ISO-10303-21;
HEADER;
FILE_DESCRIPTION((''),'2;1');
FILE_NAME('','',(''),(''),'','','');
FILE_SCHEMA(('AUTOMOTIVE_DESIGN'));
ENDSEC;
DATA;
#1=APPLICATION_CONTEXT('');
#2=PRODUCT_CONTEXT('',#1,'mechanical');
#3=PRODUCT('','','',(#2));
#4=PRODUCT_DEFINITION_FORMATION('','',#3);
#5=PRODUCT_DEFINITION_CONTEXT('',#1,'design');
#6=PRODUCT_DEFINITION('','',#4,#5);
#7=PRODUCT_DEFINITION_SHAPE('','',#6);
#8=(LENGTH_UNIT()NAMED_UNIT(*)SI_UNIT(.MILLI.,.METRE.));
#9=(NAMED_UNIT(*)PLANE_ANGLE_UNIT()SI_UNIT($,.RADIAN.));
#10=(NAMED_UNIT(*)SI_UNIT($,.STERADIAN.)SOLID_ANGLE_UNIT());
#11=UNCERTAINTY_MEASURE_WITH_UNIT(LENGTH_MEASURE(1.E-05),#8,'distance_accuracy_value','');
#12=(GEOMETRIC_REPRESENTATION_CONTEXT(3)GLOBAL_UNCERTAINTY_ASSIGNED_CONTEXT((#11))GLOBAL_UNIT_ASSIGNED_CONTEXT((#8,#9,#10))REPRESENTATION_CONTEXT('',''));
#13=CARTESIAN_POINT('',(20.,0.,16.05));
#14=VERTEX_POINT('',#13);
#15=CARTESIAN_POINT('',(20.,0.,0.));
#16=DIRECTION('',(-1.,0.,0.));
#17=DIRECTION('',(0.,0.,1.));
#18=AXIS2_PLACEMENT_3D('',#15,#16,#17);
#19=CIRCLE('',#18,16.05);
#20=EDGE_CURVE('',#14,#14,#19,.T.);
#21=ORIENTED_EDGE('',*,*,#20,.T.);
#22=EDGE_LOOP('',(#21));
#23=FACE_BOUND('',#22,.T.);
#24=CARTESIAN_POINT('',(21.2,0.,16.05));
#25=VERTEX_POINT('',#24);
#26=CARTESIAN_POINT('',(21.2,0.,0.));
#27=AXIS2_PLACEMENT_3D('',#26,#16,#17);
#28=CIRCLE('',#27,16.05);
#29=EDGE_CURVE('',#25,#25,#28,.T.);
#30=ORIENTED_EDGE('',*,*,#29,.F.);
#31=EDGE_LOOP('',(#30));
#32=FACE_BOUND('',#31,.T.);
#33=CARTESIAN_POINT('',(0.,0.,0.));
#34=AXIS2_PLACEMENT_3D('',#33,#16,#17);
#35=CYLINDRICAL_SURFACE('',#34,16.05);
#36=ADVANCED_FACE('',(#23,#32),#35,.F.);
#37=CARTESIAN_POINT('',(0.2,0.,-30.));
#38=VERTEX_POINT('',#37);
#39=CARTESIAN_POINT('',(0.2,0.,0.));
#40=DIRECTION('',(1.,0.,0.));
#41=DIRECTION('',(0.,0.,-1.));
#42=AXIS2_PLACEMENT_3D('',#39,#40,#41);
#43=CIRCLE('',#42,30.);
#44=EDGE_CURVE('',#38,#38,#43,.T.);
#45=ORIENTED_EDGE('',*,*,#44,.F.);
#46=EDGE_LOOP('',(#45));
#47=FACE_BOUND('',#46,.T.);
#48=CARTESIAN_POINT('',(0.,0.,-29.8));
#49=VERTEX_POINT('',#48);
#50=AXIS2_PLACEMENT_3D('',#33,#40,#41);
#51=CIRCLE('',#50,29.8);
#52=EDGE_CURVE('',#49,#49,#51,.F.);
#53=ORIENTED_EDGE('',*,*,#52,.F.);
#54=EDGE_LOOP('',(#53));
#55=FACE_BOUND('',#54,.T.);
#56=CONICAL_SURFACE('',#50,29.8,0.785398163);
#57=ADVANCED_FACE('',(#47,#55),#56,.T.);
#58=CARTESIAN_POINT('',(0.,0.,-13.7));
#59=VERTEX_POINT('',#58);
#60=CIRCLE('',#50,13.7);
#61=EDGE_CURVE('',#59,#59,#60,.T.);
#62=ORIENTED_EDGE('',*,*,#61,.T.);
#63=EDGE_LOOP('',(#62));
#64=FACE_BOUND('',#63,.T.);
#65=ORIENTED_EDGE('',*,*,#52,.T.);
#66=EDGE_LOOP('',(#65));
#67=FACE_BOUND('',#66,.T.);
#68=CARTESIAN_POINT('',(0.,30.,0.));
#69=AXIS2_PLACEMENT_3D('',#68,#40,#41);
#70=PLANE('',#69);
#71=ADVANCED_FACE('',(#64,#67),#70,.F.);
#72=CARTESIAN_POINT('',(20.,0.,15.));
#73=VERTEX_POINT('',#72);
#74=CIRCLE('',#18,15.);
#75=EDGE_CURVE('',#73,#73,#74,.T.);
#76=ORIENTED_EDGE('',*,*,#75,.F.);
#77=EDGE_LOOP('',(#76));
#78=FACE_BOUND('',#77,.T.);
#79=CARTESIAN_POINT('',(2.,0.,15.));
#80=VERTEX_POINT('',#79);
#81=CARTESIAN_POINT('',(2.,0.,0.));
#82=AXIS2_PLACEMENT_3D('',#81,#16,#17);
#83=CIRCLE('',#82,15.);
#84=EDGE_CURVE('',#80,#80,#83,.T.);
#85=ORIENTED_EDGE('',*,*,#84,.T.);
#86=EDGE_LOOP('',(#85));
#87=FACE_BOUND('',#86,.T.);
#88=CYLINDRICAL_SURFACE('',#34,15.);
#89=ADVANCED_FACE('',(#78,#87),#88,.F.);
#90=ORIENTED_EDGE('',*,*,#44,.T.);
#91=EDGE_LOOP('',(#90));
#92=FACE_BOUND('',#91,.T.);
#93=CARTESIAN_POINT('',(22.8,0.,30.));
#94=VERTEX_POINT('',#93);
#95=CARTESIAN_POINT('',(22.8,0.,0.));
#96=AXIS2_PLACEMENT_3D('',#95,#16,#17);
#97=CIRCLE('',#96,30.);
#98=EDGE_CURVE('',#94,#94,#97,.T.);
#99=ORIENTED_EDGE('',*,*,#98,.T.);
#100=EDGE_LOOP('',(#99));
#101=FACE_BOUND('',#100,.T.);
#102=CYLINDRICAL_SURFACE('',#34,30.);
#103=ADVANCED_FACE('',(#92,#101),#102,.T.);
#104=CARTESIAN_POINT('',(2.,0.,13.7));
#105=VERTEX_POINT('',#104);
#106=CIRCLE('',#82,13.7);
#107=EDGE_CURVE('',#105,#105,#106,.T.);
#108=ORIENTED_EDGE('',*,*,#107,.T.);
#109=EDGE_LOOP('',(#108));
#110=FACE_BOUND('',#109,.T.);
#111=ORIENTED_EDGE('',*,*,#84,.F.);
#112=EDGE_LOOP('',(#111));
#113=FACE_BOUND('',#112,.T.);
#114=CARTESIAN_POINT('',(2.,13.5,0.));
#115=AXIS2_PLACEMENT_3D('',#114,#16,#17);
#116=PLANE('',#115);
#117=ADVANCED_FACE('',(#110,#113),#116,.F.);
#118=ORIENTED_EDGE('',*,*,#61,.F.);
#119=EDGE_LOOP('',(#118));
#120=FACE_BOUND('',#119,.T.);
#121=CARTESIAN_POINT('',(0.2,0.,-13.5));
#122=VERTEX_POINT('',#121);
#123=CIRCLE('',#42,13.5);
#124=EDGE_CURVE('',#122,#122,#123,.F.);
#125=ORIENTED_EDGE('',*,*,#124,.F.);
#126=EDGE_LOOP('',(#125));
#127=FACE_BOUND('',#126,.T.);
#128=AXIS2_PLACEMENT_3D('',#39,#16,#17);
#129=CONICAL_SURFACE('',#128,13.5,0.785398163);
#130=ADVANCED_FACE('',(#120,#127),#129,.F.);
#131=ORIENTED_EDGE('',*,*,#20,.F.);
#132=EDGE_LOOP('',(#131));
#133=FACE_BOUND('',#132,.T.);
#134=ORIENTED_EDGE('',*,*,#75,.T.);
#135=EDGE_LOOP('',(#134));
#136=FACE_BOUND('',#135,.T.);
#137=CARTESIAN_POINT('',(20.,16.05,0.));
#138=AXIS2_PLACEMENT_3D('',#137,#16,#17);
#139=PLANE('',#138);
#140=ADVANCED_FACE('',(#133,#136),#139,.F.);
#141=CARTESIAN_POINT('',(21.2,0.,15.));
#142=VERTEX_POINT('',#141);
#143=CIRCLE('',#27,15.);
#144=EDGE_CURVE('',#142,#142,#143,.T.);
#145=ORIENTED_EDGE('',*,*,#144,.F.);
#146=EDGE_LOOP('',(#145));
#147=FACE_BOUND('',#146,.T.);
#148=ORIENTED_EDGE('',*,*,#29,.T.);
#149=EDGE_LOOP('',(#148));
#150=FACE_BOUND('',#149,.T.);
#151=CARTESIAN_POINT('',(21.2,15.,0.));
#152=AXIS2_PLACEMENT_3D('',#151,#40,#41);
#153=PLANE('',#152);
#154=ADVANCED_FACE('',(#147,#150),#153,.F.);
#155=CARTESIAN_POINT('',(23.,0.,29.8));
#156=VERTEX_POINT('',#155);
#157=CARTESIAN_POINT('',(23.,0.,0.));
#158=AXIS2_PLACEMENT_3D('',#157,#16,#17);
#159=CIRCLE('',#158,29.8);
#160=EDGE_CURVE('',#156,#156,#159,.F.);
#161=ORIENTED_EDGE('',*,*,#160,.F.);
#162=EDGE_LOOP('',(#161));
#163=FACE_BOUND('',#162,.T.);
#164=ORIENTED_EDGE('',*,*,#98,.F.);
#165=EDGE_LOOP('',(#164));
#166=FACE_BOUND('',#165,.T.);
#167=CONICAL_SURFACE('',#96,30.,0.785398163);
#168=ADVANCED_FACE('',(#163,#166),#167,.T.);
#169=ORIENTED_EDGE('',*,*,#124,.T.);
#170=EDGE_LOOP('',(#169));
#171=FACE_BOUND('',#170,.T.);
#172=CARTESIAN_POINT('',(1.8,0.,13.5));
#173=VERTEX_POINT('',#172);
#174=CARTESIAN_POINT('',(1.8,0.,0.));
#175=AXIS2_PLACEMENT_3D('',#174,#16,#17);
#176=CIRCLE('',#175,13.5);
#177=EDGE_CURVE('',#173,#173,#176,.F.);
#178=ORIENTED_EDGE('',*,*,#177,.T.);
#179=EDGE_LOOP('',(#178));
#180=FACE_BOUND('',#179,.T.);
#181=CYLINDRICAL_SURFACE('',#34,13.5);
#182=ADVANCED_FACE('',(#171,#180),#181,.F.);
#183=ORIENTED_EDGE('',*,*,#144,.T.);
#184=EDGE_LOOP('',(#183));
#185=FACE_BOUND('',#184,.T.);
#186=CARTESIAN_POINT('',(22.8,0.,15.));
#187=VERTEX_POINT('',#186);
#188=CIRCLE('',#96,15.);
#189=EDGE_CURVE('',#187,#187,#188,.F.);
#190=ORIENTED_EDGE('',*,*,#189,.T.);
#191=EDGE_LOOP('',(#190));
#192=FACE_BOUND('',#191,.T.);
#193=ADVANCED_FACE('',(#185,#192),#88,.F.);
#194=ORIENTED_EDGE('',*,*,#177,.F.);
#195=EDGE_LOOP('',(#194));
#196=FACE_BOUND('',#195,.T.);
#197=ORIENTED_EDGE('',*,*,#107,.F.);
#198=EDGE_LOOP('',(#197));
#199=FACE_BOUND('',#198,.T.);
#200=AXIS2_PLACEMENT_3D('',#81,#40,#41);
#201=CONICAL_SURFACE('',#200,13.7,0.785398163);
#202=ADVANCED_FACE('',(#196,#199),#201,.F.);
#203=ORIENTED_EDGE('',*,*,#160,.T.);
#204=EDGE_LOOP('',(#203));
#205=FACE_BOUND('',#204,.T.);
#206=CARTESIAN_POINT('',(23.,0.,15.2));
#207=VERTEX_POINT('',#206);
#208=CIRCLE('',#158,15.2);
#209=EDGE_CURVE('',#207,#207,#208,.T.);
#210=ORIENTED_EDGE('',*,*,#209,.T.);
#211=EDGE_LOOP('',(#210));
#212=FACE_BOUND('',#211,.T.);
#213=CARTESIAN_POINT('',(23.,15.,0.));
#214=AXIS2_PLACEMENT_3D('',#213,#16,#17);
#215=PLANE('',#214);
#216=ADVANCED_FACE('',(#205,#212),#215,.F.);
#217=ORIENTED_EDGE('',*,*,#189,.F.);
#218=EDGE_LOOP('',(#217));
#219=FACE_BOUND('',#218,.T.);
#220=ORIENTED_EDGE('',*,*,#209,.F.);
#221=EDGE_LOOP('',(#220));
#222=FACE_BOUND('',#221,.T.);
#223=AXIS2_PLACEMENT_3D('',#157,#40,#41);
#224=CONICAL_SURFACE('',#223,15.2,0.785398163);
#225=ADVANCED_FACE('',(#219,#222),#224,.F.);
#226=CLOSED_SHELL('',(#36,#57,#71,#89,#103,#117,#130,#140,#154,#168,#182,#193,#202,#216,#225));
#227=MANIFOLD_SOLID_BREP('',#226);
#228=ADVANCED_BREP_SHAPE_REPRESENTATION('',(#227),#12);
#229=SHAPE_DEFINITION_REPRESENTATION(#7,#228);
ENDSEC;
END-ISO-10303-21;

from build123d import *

# Parameters (mm, degrees)
CHAMFER1_SIZE = 0.2


with BuildPart() as part:
    # Sketch1 → Revolve1 (revolve)
    with BuildSketch(Plane.XY, mode=Mode.PRIVATE) as revolve1_sk:
        Polygon((0, 13.5), (2, 13.5), (2, 15), (20, 15), (20, 16.05), (21.2, 16.05), (21.2, 15), (23, 15), (23, 30), (0, 30), align=None)
    revolve(revolve1_sk.sketch.rotate(Axis((0, 0, 0), (1, 0, 0)), 90), axis=Axis((0, 0, 0), (1, 0, 0)))

    # Chamfer1
    chamfer1_edges = [part.edges().sort_by_distance(p)[0] for p in [
        (2, 0, -13.5),
        (0, 0, -13.5),
        (0, 0, -30),
        (23, 0, -30),
        (23, 0, -15),
    ]]
    chamfer(chamfer1_edges, length=CHAMFER1_SIZE)


solid = part.part
